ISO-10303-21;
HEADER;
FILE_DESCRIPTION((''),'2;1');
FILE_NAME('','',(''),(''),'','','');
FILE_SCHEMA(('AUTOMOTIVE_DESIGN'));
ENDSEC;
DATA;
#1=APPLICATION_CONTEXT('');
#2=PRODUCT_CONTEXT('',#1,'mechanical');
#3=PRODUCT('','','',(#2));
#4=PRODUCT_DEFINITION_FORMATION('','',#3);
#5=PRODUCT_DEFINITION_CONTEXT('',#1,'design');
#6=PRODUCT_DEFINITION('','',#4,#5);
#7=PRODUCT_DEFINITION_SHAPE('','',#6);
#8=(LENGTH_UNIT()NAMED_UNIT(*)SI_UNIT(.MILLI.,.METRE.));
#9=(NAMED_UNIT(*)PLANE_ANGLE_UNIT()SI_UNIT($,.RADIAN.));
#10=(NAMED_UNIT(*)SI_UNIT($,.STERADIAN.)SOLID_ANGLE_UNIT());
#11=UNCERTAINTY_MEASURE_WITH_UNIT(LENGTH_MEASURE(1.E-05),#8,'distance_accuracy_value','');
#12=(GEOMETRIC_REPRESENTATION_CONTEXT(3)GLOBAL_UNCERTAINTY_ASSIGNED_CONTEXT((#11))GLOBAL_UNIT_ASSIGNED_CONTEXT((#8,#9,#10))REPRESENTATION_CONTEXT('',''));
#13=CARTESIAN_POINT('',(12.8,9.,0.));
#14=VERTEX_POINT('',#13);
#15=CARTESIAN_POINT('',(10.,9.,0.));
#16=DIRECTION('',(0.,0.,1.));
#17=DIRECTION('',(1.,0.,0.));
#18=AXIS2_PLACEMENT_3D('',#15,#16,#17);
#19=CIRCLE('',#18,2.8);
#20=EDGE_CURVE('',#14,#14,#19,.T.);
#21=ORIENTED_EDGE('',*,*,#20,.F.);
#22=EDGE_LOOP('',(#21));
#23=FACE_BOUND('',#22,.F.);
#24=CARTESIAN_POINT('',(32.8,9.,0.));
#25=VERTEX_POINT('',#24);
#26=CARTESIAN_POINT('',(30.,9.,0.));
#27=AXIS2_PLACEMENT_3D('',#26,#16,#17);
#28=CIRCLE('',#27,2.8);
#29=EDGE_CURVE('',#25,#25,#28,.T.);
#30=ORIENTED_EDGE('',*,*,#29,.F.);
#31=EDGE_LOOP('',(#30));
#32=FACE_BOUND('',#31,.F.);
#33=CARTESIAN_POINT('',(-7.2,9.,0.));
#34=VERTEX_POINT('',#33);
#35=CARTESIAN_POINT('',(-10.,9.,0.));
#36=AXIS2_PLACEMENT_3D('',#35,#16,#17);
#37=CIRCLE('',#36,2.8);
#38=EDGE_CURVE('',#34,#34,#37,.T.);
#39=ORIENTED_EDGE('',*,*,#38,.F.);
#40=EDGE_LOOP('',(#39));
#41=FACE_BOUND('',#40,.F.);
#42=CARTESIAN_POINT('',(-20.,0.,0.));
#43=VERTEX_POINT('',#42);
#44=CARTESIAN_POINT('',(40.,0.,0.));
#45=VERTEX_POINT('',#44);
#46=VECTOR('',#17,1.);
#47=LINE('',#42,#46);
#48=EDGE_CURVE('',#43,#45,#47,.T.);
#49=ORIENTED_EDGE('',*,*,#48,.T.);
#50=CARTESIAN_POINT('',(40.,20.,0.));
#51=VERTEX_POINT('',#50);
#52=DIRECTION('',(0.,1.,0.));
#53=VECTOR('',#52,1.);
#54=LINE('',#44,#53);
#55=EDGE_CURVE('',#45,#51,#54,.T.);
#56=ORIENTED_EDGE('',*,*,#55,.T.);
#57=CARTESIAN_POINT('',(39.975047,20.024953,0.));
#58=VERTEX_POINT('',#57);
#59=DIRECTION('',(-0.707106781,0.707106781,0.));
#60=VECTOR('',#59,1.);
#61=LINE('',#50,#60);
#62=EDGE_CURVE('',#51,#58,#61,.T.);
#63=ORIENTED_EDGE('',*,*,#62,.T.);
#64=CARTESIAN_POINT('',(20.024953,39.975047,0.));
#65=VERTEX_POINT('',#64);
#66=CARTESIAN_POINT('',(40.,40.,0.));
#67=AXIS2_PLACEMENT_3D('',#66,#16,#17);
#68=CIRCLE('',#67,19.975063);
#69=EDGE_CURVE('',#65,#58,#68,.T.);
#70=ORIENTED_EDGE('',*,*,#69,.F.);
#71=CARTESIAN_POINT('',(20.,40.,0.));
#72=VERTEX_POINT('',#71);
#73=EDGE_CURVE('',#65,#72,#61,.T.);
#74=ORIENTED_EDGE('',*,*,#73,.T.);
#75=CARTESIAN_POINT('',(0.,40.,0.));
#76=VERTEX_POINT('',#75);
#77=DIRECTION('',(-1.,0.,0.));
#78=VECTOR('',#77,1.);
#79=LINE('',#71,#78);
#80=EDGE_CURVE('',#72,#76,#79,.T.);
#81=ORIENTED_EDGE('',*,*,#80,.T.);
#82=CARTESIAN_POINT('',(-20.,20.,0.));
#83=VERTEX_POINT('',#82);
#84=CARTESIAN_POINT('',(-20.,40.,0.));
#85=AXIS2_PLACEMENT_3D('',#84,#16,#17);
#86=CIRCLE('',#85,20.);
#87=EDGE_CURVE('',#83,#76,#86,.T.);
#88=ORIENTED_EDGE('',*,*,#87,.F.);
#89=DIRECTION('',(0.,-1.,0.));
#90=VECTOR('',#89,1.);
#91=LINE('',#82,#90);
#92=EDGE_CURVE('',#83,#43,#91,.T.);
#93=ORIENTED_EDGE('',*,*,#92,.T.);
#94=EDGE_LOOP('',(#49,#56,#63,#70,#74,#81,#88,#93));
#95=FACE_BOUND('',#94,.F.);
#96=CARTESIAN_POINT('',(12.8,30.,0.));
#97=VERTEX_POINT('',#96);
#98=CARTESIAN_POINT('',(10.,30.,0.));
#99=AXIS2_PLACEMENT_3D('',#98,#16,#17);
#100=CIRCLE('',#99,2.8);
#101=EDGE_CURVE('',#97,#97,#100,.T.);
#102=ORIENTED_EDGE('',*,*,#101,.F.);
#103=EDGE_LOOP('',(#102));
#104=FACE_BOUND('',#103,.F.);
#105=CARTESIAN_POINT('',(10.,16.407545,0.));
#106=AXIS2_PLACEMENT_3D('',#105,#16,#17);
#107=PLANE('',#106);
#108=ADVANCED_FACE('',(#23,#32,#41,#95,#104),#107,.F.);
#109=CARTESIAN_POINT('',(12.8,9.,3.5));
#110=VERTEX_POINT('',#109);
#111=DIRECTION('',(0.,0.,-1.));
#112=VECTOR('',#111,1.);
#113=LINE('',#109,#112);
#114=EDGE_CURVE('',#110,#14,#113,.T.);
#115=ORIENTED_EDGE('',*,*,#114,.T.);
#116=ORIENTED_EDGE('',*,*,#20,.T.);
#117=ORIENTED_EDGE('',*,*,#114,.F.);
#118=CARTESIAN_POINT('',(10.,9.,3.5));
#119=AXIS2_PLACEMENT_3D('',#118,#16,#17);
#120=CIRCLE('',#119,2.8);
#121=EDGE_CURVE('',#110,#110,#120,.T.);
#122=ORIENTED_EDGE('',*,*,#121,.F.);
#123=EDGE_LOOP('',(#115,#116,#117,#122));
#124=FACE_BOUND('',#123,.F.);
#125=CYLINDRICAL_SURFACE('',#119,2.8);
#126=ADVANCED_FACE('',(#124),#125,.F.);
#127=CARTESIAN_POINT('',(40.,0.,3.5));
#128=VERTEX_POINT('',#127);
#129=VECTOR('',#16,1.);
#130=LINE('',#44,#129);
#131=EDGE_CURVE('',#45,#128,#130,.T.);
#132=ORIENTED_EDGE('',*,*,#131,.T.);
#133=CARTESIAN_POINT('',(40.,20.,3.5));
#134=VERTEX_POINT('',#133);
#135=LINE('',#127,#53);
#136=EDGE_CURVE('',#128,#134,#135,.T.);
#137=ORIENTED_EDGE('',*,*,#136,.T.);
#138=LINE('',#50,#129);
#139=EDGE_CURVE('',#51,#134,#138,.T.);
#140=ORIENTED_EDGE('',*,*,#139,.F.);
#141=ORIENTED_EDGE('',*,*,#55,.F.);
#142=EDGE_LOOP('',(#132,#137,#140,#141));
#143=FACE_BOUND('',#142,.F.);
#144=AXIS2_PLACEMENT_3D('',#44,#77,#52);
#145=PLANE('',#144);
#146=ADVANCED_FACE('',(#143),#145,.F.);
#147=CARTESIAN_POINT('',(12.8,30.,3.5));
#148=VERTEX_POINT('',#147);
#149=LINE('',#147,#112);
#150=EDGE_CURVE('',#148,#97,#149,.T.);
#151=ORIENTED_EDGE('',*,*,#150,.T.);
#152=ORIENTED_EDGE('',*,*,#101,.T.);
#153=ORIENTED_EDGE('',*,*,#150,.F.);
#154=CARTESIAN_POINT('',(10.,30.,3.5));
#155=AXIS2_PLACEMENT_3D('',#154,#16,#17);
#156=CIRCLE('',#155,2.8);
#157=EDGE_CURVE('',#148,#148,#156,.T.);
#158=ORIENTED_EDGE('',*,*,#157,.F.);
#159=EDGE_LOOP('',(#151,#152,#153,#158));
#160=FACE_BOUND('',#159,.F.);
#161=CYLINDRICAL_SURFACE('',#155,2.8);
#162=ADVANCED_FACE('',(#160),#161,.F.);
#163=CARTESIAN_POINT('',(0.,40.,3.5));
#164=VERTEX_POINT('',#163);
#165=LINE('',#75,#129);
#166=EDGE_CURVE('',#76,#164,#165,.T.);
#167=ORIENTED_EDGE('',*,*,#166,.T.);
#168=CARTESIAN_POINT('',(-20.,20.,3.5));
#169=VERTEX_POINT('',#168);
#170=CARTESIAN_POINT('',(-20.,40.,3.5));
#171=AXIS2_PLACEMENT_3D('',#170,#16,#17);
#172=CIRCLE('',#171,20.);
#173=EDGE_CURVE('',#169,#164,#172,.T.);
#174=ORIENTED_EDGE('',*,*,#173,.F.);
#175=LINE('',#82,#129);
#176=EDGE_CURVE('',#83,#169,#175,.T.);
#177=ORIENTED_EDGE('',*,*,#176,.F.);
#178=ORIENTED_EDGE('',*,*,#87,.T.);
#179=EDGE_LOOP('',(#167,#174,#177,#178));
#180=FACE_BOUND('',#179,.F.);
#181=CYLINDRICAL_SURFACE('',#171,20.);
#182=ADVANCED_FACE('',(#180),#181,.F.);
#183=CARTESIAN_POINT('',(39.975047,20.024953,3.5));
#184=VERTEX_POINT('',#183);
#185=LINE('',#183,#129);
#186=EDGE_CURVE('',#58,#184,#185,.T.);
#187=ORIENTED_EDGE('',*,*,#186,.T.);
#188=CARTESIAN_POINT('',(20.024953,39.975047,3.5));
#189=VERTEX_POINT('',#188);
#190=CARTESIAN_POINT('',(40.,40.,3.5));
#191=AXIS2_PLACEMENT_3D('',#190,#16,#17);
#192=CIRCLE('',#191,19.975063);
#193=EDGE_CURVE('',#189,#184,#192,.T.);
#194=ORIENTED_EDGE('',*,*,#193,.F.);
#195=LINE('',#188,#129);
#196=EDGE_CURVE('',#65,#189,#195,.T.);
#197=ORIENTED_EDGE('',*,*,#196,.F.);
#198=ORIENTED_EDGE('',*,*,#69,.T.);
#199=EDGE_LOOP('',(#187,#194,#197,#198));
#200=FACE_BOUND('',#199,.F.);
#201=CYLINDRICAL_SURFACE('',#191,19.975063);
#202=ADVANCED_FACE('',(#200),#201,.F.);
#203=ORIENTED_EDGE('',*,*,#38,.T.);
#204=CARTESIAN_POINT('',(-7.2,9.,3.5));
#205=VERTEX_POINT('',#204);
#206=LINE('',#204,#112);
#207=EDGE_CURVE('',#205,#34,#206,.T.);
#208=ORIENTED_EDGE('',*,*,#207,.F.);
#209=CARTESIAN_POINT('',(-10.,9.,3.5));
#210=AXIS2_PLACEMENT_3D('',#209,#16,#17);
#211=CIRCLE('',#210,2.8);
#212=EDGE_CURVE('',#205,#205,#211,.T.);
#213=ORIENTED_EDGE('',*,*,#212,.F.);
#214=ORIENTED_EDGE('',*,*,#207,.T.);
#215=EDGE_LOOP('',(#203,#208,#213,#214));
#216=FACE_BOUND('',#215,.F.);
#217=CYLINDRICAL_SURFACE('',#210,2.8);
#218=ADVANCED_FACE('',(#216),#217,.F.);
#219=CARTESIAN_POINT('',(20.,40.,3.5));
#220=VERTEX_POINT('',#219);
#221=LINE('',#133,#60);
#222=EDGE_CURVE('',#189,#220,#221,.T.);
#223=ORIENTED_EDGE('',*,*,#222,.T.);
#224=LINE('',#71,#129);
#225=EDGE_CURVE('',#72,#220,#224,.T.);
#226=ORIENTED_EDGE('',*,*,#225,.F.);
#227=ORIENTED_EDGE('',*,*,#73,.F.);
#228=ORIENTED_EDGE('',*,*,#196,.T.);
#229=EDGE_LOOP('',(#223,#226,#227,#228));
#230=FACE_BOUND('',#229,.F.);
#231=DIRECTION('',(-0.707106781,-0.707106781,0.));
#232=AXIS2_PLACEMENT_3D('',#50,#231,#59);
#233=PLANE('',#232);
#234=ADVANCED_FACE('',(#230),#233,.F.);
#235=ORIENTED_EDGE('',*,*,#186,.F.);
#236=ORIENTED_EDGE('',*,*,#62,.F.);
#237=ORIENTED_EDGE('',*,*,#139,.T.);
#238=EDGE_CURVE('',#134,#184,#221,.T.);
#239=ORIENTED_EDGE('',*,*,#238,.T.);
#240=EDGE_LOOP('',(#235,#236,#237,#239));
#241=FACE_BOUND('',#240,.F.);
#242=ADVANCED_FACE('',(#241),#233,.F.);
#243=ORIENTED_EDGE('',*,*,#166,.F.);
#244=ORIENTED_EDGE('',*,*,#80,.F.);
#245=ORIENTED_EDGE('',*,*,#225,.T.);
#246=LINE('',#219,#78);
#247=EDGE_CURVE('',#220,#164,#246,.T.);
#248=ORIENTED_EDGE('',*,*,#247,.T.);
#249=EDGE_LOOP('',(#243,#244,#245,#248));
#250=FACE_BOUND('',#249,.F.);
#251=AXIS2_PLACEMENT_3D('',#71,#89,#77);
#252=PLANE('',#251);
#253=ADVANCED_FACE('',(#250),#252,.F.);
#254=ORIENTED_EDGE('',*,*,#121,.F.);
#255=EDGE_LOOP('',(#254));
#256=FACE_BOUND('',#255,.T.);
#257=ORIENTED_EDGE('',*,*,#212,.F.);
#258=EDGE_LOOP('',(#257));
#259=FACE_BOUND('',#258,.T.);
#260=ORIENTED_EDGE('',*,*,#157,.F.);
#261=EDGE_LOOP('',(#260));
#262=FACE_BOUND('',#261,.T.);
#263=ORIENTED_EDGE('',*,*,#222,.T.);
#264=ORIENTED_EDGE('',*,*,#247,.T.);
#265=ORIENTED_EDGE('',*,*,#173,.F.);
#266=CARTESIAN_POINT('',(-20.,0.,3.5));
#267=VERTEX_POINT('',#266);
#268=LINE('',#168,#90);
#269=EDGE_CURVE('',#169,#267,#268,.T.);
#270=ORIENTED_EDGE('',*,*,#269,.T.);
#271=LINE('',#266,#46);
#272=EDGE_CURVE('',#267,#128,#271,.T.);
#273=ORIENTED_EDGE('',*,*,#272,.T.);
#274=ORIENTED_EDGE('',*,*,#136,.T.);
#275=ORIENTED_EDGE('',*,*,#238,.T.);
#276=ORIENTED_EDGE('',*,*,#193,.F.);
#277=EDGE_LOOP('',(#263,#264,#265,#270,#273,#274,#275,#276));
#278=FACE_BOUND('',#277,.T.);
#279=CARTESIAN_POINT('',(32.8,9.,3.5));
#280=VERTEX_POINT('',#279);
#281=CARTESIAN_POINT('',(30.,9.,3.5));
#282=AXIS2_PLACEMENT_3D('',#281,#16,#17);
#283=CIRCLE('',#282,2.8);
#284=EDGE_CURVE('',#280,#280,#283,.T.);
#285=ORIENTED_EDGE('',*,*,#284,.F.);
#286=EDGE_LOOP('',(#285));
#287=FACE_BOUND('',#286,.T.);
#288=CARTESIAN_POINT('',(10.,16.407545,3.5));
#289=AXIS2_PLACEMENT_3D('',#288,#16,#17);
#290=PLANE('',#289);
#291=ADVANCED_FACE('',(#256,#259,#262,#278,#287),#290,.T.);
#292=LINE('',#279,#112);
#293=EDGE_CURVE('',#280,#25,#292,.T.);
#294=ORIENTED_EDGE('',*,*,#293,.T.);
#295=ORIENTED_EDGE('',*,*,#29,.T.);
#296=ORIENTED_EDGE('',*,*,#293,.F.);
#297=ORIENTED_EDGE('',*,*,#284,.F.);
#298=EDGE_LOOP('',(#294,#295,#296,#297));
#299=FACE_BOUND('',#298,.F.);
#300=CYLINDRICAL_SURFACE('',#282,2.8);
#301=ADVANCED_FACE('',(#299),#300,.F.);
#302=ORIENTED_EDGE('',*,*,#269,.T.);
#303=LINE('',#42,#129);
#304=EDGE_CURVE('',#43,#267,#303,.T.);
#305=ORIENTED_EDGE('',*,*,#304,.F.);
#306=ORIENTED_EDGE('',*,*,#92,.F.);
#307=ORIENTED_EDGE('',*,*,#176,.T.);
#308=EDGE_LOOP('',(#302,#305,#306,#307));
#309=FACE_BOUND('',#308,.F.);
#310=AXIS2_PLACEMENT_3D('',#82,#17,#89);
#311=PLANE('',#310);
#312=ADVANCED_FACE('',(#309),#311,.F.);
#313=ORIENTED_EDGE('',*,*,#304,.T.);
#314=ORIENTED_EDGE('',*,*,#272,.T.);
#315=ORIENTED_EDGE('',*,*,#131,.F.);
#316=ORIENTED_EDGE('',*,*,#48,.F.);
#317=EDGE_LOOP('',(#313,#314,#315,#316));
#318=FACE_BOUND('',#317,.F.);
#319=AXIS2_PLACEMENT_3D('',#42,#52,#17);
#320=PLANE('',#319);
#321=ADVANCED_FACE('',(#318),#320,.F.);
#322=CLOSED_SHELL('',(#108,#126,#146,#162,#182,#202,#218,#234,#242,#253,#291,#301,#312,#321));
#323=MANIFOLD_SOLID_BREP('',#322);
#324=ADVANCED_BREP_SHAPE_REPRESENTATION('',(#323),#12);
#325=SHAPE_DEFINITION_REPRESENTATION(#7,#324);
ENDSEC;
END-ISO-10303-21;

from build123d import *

# Parameters (mm, degrees)
PAD_DEPTH     = 3.5
SKETCH001_R   = 2.8
SKETCH001_R_2 = 20
SKETCH001_R_3 = 19.975063
POCKET_DEPTH  = 3.501


with BuildPart() as part:
    # Sketch → Pad (new body)
    with BuildSketch(Plane.XY):
        Polygon((0, 0), (40, 0), (40, 20), (20, 40), (0, 40), (-20, 20), (-20, 0), align=None)
    extrude(amount=PAD_DEPTH)

    # Sketch001 → Pocket (cut, through all)
    with BuildSketch(Plane.XY.offset(3.5)):
        with Locations((10, 30)):
            Circle(SKETCH001_R)
        with Locations((10, 9)):
            Circle(SKETCH001_R)
        with Locations((30, 9)):
            Circle(SKETCH001_R)
        with Locations((-10, 9)):
            Circle(SKETCH001_R)
        with Locations((-20, 40)):
            Circle(SKETCH001_R_2)
        with Locations((40, 40)):
            Circle(SKETCH001_R_3)
    extrude(amount=-POCKET_DEPTH, mode=Mode.SUBTRACT)


solid = part.part
